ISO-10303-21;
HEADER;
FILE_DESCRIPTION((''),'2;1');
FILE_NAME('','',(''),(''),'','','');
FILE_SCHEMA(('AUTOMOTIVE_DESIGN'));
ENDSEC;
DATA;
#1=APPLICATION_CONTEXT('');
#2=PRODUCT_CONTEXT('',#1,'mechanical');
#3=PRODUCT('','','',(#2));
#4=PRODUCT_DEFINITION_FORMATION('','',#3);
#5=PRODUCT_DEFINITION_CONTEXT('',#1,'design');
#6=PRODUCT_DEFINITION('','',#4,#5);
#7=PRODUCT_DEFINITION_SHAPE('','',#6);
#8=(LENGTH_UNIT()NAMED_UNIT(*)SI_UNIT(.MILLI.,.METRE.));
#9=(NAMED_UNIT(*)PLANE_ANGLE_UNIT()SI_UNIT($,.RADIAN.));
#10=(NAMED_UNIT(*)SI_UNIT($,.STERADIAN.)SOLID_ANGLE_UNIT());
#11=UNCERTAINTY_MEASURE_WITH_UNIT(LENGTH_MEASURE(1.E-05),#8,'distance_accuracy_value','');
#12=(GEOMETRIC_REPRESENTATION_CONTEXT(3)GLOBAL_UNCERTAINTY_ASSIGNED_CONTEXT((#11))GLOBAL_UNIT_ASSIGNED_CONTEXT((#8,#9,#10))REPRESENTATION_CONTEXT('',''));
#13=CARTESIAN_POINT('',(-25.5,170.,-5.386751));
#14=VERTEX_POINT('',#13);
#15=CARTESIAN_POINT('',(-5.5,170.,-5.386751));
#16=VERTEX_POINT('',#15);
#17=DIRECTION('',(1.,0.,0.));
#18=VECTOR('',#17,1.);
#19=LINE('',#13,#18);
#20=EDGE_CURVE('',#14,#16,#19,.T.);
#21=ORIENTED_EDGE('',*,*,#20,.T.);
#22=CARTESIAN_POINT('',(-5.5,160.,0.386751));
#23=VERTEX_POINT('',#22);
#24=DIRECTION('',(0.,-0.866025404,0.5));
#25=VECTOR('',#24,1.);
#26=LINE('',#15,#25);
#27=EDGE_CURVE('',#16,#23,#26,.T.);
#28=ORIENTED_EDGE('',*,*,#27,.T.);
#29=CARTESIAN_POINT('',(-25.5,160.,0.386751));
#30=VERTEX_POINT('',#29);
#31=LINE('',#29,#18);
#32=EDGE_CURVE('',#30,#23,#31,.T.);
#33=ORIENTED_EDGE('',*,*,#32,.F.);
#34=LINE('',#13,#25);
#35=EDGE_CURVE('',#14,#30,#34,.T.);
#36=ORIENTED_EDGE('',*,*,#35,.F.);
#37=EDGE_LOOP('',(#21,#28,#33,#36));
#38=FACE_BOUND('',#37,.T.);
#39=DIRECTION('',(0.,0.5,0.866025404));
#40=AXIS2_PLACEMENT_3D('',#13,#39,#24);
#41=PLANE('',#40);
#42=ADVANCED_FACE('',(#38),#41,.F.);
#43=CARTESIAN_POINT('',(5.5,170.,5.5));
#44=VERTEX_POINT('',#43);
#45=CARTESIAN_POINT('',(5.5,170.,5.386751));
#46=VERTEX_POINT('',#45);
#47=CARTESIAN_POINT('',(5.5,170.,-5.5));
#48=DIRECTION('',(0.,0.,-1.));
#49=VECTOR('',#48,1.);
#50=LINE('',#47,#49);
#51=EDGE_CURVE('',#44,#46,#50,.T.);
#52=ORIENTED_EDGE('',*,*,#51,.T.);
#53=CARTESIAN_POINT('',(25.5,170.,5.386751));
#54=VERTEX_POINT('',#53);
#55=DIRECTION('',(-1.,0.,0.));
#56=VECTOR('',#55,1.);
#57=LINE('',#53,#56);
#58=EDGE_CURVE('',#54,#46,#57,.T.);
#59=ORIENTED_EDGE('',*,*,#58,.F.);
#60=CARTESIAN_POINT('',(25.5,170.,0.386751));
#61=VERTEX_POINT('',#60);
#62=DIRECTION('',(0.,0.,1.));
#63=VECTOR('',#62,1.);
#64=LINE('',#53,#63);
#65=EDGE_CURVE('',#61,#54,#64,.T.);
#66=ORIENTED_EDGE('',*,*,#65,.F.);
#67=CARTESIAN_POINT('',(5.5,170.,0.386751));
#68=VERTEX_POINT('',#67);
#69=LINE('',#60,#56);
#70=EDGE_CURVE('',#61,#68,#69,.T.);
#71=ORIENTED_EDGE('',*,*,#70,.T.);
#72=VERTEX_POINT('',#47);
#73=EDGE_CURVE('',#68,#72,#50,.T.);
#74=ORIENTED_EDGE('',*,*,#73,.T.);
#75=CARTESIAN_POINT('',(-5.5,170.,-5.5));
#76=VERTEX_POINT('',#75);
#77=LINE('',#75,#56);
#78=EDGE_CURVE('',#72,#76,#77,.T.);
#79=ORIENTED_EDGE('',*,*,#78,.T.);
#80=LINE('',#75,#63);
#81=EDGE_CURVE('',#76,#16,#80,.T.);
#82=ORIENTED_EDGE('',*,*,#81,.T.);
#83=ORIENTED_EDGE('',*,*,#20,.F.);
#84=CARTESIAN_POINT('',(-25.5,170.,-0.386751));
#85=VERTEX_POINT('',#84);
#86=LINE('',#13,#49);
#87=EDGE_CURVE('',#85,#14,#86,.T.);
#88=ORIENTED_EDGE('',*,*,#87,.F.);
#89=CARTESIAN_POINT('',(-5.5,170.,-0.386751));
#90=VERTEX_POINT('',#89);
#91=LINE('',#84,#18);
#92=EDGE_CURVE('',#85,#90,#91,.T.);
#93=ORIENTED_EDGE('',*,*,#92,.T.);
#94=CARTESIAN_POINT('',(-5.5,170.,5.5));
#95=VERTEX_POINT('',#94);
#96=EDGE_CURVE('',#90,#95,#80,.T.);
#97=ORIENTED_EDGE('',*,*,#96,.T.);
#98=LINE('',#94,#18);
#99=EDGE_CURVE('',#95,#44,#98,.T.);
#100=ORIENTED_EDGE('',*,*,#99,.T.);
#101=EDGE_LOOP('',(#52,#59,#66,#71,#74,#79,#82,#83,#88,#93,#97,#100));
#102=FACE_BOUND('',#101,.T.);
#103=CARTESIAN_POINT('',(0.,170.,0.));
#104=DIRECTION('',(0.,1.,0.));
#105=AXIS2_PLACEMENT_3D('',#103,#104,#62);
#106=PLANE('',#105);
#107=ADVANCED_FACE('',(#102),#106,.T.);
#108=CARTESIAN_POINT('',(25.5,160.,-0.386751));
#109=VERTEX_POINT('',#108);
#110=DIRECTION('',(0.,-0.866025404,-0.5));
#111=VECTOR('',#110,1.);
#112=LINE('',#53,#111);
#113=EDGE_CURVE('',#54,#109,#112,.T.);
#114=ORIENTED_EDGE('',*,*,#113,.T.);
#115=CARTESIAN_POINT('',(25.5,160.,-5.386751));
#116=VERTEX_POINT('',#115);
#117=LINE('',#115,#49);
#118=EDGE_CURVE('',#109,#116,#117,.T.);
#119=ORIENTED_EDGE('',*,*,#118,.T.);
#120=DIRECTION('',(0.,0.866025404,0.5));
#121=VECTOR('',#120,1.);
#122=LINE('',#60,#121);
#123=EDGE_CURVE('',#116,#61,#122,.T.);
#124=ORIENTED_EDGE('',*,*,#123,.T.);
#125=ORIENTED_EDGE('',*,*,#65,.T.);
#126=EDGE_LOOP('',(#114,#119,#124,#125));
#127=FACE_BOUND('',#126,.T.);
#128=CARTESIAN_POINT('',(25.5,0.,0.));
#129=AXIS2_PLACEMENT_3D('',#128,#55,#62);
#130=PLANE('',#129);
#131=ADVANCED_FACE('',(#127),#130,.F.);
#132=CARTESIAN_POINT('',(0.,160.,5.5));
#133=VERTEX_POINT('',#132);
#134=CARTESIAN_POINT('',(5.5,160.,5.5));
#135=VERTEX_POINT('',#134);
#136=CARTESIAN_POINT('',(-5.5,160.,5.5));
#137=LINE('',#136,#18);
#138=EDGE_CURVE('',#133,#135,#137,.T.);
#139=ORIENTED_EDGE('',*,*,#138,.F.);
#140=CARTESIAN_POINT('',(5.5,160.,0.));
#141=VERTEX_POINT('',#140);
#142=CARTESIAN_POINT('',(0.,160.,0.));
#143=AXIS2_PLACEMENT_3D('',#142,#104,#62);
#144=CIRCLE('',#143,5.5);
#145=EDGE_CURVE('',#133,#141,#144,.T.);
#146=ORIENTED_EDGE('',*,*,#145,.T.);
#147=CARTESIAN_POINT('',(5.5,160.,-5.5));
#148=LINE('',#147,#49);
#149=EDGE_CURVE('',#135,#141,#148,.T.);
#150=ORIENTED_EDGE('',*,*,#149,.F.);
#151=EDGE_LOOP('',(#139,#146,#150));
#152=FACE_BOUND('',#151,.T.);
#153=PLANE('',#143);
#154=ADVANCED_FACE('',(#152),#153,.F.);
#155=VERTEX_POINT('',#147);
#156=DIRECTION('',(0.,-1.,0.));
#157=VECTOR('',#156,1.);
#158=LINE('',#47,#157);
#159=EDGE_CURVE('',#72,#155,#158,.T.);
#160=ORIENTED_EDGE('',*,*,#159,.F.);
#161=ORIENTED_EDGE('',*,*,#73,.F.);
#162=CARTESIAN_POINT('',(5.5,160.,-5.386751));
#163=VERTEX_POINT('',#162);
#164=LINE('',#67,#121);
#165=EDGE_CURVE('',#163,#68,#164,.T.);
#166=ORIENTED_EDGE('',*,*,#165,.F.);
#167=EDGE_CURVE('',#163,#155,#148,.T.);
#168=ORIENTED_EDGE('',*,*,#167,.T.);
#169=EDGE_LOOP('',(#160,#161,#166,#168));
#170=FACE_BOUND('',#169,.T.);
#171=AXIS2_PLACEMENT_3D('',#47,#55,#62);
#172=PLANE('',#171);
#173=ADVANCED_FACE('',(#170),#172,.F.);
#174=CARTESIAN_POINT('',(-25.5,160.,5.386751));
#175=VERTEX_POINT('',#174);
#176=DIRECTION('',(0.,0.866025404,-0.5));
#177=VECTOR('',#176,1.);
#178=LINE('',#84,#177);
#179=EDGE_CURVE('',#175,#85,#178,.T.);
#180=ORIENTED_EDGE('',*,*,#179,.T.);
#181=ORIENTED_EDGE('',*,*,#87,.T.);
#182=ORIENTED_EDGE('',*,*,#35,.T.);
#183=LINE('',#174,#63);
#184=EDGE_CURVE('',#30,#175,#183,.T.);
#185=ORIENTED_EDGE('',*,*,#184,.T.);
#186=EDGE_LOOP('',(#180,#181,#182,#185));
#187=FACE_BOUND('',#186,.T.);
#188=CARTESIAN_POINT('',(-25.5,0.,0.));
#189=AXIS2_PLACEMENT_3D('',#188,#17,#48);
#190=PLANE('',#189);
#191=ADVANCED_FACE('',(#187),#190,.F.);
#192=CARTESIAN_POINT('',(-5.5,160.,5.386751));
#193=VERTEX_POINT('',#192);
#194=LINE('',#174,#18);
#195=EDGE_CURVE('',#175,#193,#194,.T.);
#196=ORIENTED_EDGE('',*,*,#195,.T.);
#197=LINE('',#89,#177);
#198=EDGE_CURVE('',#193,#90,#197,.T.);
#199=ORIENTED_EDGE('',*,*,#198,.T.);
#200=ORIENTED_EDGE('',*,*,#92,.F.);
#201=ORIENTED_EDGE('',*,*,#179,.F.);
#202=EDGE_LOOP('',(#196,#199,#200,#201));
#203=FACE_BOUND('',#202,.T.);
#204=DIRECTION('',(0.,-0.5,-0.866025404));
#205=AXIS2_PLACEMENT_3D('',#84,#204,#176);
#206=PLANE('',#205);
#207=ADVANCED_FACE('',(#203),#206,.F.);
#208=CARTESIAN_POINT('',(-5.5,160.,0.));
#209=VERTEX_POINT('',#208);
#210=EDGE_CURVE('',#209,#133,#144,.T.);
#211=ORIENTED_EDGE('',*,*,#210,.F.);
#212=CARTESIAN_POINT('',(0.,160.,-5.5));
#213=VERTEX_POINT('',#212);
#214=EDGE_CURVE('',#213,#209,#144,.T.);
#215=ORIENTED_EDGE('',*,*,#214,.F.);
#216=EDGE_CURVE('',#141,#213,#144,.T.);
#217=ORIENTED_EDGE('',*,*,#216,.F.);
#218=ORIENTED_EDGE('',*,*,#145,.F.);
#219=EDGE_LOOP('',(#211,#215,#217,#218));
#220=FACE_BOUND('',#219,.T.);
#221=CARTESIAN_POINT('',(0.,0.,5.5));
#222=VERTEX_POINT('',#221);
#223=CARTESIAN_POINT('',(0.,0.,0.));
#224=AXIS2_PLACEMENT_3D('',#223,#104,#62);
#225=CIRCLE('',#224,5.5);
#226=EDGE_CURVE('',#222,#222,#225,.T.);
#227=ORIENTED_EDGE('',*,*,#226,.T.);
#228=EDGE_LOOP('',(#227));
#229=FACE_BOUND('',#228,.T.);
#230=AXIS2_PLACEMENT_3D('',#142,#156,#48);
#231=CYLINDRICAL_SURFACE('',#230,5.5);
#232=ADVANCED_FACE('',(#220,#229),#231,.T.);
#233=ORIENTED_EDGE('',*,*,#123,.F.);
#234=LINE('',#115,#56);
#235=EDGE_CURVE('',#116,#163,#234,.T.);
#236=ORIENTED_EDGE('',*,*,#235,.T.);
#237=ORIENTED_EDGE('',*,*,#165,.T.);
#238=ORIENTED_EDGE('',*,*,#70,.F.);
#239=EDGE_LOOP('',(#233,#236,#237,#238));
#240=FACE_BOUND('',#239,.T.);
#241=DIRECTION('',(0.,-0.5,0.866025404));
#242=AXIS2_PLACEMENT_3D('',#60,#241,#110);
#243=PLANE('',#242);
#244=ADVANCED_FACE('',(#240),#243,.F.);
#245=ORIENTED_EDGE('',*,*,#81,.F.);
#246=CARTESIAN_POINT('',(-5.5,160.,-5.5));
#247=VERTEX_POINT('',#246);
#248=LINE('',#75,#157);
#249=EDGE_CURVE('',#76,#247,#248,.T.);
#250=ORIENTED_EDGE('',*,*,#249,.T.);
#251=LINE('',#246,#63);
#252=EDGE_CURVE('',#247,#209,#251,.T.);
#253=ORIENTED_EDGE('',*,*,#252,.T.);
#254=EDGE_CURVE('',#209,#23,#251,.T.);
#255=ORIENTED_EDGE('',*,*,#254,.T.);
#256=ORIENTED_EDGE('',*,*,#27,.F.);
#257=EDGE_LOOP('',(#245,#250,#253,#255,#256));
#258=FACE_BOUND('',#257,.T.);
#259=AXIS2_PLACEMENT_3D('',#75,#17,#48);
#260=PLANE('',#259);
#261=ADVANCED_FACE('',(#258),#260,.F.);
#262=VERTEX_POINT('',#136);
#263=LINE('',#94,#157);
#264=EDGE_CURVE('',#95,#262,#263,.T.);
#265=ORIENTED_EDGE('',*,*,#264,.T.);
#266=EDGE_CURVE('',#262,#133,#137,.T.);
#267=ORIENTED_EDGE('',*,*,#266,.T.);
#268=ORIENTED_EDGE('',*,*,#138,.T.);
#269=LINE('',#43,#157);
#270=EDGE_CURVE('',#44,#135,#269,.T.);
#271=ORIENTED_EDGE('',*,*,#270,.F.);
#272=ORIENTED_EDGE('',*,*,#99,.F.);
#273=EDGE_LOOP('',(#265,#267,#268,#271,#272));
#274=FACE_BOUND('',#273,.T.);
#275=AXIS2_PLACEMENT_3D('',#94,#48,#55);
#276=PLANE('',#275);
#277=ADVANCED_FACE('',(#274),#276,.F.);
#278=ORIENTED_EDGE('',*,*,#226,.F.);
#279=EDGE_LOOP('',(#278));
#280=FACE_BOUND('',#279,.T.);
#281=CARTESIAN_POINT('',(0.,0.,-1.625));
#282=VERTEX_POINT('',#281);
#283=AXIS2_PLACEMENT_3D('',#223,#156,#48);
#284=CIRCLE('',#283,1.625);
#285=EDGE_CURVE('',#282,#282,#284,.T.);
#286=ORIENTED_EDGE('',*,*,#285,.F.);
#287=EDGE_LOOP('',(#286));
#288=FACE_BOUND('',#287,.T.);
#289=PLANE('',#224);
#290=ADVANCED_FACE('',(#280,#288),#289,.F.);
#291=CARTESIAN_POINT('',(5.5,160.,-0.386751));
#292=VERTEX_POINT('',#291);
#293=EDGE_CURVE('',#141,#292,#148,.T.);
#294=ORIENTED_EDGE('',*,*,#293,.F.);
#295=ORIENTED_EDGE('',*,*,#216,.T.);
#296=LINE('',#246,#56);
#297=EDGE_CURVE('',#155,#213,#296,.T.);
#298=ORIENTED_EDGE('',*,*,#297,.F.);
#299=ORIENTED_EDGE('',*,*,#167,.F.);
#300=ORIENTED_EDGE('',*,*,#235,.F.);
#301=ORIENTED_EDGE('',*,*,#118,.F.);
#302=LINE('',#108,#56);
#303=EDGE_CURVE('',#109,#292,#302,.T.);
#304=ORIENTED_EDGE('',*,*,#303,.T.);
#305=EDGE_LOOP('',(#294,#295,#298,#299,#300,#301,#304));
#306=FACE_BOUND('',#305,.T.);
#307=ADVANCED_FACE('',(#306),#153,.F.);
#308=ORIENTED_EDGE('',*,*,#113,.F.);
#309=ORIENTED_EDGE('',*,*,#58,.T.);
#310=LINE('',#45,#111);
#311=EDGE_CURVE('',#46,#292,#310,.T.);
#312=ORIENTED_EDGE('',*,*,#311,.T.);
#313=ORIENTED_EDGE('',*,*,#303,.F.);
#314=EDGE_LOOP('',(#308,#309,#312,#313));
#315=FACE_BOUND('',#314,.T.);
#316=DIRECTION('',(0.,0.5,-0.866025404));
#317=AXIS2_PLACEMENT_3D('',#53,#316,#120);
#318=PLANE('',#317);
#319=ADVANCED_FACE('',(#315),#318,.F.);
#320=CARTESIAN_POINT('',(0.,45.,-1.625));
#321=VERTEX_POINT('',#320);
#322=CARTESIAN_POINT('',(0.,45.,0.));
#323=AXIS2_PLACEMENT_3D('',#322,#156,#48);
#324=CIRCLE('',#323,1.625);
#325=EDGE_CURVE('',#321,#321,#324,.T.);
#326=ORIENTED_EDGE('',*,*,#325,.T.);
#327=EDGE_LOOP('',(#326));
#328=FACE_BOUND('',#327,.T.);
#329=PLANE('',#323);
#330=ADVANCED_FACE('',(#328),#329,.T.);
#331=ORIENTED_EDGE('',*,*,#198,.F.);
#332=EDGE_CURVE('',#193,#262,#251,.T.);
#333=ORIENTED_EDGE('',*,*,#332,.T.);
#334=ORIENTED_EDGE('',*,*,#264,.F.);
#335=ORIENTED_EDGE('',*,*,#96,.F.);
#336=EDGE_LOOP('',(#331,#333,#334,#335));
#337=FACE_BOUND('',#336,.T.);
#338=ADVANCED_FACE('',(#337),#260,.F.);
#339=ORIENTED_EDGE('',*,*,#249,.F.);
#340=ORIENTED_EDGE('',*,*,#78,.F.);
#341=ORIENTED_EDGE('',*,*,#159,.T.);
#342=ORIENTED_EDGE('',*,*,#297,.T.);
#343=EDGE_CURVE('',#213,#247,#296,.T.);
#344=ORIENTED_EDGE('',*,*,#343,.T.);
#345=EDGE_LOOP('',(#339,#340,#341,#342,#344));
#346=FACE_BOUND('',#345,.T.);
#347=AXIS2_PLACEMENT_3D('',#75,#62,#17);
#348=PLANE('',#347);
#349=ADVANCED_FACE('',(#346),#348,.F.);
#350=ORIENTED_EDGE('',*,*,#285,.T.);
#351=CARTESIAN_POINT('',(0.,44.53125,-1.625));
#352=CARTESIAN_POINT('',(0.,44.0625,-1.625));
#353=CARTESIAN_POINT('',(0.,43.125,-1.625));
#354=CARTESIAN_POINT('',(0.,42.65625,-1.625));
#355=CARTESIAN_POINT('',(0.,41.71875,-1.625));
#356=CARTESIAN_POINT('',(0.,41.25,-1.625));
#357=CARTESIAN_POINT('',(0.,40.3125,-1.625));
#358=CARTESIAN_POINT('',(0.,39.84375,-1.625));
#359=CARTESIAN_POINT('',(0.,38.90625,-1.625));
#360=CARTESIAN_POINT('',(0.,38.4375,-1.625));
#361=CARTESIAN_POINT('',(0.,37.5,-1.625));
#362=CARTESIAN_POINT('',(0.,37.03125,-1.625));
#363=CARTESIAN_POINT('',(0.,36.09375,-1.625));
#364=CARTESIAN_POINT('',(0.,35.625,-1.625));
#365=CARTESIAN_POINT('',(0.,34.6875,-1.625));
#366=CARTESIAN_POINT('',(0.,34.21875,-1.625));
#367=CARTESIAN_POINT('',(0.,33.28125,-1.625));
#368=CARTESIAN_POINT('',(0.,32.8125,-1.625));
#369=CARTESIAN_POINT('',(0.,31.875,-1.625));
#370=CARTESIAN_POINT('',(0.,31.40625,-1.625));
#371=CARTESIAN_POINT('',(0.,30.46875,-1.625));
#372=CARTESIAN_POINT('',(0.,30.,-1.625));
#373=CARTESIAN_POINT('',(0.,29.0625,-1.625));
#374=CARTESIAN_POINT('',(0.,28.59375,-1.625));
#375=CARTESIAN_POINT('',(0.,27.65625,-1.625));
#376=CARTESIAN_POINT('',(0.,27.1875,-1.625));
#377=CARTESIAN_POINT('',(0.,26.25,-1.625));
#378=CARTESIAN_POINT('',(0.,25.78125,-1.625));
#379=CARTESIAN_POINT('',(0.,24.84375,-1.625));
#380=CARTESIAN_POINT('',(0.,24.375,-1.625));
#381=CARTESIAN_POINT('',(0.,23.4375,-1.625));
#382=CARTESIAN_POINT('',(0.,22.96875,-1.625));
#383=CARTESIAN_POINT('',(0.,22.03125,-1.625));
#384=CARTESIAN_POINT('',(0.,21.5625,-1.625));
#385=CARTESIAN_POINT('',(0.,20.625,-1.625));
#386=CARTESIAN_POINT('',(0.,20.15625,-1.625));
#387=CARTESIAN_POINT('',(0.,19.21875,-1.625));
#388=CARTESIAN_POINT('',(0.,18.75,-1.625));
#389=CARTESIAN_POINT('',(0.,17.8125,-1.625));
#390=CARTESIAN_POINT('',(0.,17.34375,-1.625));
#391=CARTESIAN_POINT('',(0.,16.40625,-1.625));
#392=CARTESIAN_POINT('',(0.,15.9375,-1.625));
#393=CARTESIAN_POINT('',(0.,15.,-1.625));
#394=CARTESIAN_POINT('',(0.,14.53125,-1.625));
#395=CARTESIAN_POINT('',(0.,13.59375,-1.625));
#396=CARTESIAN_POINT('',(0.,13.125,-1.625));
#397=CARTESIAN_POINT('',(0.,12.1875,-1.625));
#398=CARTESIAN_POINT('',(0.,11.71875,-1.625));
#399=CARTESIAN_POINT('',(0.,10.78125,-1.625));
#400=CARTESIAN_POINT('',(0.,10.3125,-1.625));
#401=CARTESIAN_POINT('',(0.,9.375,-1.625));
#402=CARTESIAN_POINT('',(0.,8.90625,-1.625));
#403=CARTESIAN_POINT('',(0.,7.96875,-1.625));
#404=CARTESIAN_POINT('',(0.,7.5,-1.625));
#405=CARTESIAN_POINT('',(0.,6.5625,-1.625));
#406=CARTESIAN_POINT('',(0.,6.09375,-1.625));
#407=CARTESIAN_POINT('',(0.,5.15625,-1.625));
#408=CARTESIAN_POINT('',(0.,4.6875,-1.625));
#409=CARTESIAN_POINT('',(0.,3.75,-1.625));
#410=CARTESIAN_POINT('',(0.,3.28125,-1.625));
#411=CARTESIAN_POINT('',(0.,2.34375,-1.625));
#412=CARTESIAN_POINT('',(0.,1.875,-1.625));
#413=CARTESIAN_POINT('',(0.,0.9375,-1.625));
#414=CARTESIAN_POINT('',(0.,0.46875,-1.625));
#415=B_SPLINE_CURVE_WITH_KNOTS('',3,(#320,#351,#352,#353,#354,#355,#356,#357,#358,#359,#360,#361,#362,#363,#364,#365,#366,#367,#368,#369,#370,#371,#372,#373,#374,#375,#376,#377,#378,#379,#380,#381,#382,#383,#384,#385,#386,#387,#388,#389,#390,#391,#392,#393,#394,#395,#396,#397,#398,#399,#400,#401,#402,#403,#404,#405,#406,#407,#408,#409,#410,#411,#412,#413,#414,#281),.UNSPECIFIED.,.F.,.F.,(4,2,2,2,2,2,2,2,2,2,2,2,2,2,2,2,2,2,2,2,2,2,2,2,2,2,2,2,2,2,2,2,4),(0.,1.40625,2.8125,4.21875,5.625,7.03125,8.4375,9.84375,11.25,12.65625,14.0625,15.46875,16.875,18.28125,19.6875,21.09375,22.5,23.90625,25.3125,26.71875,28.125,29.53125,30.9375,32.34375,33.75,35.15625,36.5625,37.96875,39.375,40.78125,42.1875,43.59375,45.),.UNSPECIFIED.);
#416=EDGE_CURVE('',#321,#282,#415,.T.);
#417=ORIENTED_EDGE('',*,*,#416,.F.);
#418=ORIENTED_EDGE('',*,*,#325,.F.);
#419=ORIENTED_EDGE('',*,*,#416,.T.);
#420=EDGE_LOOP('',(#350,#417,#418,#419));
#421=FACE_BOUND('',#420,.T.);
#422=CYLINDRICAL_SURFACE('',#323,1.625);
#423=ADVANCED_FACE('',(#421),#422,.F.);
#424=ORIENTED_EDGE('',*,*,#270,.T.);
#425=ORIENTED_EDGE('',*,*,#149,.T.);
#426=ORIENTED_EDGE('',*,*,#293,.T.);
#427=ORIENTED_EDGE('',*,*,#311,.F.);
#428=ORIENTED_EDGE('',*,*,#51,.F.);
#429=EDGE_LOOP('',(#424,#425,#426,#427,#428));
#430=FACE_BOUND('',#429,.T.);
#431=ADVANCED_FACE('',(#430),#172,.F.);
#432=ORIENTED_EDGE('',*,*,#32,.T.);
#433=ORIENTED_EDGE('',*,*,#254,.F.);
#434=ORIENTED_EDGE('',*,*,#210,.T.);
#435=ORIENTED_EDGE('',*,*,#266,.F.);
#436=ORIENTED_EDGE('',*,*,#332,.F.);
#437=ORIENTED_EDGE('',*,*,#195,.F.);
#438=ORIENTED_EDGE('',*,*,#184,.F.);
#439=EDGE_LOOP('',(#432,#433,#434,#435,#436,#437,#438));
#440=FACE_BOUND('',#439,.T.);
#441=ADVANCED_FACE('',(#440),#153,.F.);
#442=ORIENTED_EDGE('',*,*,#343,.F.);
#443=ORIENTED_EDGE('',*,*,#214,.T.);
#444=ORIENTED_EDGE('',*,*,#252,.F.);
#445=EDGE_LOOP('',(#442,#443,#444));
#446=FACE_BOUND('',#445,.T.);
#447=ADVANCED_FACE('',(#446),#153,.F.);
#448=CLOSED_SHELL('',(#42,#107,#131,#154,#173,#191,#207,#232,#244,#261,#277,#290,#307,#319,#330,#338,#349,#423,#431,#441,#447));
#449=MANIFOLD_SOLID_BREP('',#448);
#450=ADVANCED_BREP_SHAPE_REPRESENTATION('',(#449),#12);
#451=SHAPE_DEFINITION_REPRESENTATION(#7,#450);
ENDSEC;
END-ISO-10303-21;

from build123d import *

# Parameters (mm, degrees)
SKETCH1_R           = 5.5
BOSS_EXTRUDE1_DEPTH = 160
SKETCH2_W           = 11
SKETCH2_H           = 11
BOSS_EXTRUDE2_DEPTH = 10
BOSS_EXTRUDE3_DEPTH = 20
CIRPATTERN1_COUNT   = 2
SKETCH4_R           = 1.625
CUT_EXTRUDE1_DEPTH  = 45


with BuildPart() as part:
    # Sketch1 → Boss-Extrude1 (new body)
    with BuildSketch(Plane(origin=(0, 0, 0), x_dir=(1, 0, 0), z_dir=(0, 1, 0))):
        with Locations(Location((0, 0, 0), (0, 0, 270))):
            Circle(SKETCH1_R)
    extrude(amount=BOSS_EXTRUDE1_DEPTH)

    # Sketch2 → Boss-Extrude2 (add)
    with BuildSketch(Plane(origin=(0, 160, 0), x_dir=(1, 0, 0), z_dir=(0, 1, 0))):
        Rectangle(SKETCH2_W, SKETCH2_H)
    extrude(amount=BOSS_EXTRUDE2_DEPTH)

    # Sketch3 → Boss-Extrude3 (add)
    with BuildSketch(Plane.ZY.offset(5.5)):
        Polygon((-5.386751346, 170), (-0.386751346, 170), (5.386751346, 160), (0.386751346, 160), align=None)
    boss_extrude3 = extrude(amount=BOSS_EXTRUDE3_DEPTH)

    # CirPattern1: Boss-Extrude3 ×2 about axis
    cirpattern1_axis = Axis((0, 0, 0), (0, 1, 0))
    for i in range(1, CIRPATTERN1_COUNT):
        add(boss_extrude3.rotate(cirpattern1_axis, i * 360 / CIRPATTERN1_COUNT))

    # Sketch4 → Cut-Extrude1 (cut)
    with BuildSketch(Plane.XZ):
        with Locations(Location((0, 0, 0), (0, 0, 270))):
            Circle(SKETCH4_R)
    extrude(amount=-CUT_EXTRUDE1_DEPTH, mode=Mode.SUBTRACT)


solid = part.part
